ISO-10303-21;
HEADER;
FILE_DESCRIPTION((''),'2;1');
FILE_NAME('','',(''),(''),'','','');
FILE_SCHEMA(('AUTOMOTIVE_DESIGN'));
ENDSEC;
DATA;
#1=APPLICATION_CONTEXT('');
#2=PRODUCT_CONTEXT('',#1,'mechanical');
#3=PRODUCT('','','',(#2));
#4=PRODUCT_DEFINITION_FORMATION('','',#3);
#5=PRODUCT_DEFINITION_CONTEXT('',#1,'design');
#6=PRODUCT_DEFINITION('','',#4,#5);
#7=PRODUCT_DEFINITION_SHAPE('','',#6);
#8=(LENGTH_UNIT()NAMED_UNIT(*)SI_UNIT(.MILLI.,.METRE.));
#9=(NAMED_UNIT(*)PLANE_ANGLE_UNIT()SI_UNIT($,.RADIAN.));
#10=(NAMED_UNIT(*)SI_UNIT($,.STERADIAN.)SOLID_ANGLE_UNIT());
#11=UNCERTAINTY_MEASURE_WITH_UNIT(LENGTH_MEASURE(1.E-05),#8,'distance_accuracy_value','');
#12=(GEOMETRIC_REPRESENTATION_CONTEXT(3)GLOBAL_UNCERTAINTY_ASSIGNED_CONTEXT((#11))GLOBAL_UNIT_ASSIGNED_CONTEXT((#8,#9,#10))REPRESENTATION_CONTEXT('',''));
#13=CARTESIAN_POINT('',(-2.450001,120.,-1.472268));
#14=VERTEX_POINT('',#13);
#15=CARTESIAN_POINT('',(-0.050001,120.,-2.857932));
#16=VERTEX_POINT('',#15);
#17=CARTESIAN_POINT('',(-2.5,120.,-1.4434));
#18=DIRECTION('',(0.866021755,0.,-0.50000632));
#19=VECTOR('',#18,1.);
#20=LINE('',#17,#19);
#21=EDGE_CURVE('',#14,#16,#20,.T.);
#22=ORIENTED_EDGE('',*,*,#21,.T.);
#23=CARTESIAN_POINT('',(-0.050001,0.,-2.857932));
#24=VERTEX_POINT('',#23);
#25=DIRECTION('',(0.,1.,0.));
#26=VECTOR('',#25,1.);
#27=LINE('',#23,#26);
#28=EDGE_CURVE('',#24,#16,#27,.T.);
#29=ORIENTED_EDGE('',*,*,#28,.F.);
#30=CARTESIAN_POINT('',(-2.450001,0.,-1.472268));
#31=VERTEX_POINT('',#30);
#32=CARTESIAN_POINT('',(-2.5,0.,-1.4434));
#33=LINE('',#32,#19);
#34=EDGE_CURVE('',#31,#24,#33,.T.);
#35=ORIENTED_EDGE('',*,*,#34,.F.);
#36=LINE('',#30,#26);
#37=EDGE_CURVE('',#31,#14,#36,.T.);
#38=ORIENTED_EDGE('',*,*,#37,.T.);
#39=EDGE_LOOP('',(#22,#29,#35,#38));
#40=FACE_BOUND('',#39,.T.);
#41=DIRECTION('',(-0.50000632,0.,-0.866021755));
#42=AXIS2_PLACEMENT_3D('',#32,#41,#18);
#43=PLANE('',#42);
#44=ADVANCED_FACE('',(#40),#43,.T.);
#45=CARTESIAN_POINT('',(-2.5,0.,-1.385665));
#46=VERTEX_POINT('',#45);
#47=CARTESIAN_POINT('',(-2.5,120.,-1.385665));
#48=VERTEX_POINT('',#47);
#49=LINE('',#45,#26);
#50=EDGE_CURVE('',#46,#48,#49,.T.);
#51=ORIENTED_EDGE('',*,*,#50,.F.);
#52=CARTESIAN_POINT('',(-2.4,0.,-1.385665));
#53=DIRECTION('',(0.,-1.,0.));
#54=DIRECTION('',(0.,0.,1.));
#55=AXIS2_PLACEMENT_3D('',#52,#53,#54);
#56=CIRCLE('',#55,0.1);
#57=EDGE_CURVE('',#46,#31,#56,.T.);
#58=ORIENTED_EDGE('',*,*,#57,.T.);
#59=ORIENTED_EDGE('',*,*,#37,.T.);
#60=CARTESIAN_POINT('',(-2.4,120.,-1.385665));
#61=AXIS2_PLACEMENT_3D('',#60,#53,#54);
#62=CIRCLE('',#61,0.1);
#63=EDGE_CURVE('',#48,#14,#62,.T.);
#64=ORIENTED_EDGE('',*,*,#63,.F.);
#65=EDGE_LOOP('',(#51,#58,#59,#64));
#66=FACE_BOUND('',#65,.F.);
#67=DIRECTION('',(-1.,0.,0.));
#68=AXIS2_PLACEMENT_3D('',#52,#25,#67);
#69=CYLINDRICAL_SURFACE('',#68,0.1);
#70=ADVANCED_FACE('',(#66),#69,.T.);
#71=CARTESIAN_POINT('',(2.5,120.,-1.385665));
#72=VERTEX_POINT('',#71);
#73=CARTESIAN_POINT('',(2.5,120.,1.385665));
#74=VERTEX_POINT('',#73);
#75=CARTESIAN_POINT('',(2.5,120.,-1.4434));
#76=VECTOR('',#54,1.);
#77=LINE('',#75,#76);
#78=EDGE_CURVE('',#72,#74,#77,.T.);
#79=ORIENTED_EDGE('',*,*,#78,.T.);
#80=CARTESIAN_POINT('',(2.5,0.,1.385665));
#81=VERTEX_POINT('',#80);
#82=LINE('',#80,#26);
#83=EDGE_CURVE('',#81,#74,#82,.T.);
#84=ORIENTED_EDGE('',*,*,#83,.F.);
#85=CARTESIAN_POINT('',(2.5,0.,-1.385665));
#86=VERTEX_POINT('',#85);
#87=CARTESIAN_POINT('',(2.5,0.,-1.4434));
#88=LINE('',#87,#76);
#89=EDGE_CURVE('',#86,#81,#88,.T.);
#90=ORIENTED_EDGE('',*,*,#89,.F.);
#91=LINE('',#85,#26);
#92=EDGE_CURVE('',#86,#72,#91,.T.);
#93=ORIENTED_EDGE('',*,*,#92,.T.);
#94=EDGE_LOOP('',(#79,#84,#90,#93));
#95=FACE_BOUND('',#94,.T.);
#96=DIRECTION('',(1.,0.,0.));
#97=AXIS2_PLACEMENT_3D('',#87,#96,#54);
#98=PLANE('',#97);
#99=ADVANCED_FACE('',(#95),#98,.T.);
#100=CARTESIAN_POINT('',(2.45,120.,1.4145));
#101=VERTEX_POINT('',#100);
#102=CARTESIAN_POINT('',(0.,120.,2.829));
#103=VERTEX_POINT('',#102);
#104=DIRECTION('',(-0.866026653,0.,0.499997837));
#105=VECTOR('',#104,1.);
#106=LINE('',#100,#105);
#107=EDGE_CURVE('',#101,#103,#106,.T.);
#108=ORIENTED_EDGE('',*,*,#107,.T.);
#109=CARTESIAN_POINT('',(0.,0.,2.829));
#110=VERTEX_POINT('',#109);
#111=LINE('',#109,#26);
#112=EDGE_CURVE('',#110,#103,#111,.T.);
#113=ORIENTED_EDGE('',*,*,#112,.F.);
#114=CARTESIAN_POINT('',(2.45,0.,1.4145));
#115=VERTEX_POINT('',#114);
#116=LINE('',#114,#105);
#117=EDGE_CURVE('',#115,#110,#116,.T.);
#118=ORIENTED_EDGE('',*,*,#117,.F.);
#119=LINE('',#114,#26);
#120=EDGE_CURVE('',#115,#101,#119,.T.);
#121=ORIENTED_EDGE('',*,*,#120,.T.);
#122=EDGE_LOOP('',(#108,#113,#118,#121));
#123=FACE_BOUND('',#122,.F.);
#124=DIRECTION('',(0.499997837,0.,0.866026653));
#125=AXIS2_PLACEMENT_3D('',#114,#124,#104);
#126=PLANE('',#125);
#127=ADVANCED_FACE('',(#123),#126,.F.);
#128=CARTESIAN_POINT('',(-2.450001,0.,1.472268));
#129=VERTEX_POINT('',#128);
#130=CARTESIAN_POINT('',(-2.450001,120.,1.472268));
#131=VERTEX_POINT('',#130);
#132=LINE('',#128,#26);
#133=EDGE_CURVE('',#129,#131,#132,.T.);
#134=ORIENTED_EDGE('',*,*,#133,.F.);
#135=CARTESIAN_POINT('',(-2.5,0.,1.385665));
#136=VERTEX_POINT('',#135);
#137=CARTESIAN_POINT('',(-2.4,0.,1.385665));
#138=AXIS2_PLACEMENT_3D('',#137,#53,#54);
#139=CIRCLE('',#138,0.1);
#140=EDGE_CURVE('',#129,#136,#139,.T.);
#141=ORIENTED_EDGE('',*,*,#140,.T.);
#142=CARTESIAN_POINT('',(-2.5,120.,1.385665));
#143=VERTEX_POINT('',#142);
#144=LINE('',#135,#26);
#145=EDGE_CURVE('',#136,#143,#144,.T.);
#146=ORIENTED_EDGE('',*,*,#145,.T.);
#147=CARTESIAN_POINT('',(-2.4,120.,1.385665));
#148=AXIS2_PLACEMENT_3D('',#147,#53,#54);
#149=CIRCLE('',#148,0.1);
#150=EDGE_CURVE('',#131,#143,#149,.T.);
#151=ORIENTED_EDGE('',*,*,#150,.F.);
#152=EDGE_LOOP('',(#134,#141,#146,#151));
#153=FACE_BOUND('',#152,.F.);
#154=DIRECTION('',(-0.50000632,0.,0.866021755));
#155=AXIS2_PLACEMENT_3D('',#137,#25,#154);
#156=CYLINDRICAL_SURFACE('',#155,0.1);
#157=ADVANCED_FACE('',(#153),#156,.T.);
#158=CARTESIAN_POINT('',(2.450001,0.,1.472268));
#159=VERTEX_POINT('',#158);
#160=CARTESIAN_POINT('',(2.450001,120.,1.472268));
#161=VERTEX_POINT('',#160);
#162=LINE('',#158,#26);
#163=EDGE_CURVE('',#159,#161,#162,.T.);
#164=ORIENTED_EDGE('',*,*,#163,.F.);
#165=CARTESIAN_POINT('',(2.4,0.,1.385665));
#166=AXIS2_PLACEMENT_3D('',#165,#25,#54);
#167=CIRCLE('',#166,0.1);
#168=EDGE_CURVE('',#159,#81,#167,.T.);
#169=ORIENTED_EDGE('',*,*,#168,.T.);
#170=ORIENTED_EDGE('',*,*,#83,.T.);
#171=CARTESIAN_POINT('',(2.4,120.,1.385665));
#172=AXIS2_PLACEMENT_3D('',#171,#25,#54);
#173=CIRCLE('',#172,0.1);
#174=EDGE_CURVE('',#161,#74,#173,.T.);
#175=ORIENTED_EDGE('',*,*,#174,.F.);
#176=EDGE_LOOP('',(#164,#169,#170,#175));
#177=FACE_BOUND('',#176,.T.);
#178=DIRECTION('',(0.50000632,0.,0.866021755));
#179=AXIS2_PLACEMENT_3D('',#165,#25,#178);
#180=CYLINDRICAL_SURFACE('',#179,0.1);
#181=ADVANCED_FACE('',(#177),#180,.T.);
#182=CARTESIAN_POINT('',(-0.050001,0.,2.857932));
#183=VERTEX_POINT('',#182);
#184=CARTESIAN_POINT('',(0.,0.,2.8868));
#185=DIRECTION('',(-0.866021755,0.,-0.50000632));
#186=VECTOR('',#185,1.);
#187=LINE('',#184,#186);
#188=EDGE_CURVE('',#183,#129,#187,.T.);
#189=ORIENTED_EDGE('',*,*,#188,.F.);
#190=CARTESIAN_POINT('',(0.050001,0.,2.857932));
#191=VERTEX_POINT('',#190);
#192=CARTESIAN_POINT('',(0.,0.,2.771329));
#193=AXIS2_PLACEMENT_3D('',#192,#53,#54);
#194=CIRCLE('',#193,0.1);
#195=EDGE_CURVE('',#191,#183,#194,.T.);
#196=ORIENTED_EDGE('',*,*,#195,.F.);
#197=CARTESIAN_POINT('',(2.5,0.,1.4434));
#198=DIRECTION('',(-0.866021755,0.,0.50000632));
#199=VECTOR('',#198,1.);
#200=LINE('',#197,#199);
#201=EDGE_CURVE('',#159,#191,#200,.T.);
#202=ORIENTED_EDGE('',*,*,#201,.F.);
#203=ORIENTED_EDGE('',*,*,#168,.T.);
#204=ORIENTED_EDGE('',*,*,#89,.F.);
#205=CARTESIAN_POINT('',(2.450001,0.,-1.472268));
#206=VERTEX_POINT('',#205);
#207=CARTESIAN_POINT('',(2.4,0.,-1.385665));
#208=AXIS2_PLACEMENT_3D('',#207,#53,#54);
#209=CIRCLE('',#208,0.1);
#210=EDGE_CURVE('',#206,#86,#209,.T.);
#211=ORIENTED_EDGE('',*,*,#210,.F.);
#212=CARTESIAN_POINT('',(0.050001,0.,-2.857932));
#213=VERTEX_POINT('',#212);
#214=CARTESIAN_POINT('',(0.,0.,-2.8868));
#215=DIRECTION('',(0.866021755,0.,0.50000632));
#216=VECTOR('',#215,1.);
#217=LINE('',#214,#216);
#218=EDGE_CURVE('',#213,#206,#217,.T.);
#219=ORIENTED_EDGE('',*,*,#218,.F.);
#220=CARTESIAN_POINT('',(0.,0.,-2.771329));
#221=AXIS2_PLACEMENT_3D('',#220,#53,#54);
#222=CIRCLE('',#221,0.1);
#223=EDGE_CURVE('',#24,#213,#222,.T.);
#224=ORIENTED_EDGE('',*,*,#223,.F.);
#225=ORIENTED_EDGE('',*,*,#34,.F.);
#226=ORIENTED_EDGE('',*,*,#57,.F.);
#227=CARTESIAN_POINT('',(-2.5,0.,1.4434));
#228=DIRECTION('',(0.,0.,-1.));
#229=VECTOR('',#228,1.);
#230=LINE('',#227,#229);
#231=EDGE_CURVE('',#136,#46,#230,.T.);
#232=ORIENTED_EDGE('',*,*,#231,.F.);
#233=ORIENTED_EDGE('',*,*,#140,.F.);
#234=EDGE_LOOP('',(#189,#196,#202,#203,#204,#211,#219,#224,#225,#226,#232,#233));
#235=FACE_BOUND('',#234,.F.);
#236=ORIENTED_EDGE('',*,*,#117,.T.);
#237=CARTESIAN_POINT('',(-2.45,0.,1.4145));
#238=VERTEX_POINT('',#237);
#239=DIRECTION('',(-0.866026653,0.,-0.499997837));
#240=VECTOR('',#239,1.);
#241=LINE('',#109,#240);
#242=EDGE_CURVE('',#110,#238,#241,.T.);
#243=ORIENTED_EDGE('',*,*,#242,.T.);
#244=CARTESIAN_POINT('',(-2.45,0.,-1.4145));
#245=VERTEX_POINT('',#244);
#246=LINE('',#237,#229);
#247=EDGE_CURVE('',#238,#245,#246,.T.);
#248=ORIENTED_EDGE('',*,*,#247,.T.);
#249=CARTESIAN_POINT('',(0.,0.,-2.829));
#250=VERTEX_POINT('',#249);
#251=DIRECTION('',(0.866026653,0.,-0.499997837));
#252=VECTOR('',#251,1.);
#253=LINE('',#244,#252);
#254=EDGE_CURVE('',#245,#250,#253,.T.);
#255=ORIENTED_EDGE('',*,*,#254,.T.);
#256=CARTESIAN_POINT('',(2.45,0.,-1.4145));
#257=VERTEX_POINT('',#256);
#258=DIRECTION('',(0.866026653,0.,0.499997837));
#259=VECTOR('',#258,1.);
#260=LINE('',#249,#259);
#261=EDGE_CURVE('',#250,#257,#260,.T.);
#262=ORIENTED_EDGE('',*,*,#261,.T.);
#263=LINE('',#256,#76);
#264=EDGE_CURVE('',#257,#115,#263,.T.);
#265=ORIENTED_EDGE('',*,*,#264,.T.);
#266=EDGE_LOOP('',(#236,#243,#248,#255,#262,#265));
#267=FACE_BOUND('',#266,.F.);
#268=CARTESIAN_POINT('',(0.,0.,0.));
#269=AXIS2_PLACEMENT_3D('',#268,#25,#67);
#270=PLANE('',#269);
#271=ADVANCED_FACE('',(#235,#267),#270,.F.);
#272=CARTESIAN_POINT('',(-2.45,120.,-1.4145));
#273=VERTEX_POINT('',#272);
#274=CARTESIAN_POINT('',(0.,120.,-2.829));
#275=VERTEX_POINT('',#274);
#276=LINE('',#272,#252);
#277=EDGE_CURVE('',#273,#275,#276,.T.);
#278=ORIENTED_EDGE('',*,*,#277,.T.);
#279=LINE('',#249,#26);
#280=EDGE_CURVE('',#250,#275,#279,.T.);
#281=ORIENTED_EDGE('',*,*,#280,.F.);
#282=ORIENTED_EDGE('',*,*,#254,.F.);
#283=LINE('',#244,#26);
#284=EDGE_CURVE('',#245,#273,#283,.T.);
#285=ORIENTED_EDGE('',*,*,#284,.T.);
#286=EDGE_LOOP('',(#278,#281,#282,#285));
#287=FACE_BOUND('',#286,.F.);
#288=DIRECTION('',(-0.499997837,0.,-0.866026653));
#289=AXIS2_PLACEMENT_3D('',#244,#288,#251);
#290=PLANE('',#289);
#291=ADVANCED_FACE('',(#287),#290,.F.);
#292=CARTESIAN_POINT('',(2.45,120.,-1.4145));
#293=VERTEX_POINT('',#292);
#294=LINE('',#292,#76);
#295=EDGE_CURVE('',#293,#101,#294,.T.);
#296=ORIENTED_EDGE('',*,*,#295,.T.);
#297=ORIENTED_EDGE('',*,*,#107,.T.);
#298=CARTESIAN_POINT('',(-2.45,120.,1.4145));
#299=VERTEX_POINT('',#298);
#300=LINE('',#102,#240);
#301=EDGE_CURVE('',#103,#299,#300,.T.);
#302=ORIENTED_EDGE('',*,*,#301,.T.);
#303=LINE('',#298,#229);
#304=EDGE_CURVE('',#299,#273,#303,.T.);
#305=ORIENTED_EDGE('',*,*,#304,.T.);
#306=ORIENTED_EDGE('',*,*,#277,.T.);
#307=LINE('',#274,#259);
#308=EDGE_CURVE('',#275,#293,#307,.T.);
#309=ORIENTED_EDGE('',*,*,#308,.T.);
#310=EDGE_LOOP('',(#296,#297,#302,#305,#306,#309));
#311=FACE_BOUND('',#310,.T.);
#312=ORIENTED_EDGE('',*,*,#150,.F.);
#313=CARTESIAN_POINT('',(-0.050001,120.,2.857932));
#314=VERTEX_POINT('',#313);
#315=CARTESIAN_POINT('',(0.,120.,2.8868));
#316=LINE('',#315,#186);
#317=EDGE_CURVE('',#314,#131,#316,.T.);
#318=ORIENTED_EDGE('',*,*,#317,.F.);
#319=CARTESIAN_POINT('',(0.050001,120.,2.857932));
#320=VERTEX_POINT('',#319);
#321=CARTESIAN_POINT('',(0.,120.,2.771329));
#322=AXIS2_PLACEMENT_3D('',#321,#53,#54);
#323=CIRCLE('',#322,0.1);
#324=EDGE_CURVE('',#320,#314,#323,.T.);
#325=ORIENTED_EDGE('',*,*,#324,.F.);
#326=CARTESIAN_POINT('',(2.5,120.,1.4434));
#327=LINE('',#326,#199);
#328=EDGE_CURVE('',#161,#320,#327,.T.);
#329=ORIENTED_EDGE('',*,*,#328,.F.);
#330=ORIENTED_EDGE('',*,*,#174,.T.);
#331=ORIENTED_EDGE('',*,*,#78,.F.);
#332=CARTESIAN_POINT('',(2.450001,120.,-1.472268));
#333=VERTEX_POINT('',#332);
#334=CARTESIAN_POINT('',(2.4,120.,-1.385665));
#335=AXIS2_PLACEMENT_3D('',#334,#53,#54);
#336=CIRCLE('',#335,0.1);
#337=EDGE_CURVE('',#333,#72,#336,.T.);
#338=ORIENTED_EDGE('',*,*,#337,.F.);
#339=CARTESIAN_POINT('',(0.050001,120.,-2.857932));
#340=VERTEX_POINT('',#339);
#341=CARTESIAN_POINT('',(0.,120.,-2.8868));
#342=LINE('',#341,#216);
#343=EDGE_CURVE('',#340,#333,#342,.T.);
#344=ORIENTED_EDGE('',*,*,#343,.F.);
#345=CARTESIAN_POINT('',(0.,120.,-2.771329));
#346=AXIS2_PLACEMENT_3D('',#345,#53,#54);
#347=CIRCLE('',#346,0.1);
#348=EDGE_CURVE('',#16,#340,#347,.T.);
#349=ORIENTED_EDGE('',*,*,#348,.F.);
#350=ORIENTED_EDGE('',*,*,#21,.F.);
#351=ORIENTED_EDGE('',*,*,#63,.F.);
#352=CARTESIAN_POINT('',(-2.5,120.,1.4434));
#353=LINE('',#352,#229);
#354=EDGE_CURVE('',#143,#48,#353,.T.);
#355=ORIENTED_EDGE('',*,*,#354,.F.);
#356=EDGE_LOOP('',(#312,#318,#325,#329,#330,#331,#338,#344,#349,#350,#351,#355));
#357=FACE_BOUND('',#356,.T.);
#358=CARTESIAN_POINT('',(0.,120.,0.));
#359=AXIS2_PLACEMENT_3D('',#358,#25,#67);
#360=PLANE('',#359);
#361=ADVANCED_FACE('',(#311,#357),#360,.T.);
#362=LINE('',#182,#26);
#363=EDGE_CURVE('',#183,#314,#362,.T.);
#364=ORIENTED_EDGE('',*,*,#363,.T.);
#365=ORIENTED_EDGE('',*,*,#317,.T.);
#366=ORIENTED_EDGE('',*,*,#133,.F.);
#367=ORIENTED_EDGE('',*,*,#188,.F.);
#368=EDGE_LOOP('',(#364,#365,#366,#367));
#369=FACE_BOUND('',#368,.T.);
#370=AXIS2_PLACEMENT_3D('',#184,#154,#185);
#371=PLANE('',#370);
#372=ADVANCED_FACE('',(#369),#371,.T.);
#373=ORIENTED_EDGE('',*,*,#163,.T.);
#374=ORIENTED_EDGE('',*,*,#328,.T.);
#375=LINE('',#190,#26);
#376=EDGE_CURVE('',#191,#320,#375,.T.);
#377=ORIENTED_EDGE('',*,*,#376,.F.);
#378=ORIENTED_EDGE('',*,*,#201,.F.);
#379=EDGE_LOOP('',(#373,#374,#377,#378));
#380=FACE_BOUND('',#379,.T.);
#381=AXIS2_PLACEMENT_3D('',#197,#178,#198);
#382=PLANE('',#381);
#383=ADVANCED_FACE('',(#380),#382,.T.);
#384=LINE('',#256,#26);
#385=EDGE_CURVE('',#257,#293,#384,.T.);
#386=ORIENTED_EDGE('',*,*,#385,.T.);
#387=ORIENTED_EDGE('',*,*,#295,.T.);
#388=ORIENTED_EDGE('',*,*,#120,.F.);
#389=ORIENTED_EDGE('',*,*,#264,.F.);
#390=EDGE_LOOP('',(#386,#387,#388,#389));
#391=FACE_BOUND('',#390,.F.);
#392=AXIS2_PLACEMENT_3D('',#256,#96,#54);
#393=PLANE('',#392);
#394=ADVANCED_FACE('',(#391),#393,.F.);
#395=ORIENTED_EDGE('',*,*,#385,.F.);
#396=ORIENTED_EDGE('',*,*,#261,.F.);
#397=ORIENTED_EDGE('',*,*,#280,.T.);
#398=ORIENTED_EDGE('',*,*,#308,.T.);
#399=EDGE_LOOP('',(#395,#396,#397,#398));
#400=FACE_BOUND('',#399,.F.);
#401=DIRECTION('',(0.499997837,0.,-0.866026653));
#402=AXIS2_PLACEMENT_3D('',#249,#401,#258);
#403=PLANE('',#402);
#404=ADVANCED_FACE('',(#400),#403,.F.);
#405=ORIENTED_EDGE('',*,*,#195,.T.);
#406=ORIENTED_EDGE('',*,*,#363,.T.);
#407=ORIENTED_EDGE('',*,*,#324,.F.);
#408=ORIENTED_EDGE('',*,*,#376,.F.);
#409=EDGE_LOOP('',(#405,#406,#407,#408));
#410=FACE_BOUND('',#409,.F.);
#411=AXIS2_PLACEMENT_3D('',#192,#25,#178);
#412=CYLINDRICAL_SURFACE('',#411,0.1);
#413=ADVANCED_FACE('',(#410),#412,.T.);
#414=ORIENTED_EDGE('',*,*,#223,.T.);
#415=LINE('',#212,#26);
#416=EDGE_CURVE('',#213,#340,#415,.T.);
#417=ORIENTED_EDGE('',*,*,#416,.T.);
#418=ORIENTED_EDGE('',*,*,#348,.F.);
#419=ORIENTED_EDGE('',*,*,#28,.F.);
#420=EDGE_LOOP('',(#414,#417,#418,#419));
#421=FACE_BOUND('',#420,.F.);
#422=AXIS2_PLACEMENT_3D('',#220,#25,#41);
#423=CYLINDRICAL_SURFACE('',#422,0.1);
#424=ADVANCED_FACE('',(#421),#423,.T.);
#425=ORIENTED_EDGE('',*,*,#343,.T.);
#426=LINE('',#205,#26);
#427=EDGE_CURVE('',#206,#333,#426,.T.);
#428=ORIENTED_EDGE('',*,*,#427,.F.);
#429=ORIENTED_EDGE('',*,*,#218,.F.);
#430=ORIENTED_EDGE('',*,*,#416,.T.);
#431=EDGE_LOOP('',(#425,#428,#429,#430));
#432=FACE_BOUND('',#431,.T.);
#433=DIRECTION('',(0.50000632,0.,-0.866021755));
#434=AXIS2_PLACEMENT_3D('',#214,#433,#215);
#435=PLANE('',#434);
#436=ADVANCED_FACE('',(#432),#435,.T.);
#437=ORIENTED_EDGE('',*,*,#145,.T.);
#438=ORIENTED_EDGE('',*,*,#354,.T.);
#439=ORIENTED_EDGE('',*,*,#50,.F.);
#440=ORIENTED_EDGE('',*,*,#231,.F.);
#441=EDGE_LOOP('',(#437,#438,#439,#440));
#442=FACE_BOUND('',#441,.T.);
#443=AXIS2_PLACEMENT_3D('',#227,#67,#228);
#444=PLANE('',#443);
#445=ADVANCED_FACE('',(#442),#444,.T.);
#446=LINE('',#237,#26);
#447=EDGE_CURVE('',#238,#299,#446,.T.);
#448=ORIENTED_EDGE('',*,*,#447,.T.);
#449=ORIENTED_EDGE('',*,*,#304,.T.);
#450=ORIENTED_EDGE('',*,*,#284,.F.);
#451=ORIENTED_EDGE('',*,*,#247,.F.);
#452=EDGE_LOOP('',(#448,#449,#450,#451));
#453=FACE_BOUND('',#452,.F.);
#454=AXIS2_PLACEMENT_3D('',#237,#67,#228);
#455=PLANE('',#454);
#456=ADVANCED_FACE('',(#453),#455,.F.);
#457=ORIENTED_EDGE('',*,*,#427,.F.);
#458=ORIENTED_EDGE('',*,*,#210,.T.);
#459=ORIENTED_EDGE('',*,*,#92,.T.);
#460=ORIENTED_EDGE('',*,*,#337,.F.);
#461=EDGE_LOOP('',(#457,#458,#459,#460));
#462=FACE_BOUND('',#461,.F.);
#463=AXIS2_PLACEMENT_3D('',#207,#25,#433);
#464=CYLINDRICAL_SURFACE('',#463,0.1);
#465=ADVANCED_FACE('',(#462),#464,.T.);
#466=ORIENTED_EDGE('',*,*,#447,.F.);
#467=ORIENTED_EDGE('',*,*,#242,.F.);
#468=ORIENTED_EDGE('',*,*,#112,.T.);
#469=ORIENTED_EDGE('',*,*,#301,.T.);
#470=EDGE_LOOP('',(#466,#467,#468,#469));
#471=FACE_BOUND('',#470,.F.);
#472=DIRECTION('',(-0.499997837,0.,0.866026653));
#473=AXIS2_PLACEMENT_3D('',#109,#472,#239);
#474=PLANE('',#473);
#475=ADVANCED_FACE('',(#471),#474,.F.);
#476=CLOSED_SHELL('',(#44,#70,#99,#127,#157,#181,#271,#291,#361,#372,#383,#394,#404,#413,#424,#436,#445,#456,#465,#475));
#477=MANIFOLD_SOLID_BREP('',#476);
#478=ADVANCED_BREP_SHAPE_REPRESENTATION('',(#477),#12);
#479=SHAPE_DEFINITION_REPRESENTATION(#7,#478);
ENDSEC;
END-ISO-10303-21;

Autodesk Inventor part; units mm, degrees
ref_plane "YZ Plane" through (0, 0, 0) normal (1, 0, 0) x (0, 1, 0)
ref_plane "XZ Plane" through (0, 0, 0) normal (0, 1, 0) x (-1, 0, 0)
ref_plane "XY Plane" through (0, 0, 0) normal (0, 0, 1) x (1, 0, 0)
sketch "Sketch1" plane through (0, 0, 0) normal (0, 1, 0) x (-1, 0, 0)
  line L0 (-2.5, 1.4434) -> (0, 2.8868)
  line L1 (0, 2.8868) -> (2.5, 1.4434)
  line L2 (2.5, 1.4434) -> (2.5, -1.4434)
  line L3 (2.5, -1.4434) -> (0, -2.8868)
  line L4 (0, -2.8868) -> (-2.5, -1.4434)
  line L5 (-2.5, -1.4434) -> (-2.5, 1.4434)
  line L6 (-2.45, 1.4145) -> (0, 2.829)
  line L7 (0, 2.829) -> (2.45, 1.4145)
  line L8 (2.45, 1.4145) -> (2.45, -1.4145)
  line L9 (2.45, -1.4145) -> (0, -2.829)
  line L10 (0, -2.829) -> (-2.45, -1.4145)
  line L11 (-2.45, -1.4145) -> (-2.45, 1.4145)
  point P0 (0, 0)
  point P1 (0, 0)
  point P2 (0, 0)
  dimension "d0" = 5
  dimension "d1" = 4.9
extrude "Extrusion1" add sketch "Sketch1" along normal blind 120
fillet "Fillet1" radius 0.1 6 edges at (0, 60, 2.8868) (2.5, 60, -1.4434) (0, 60, -2.8868) (-2.5, 60, -1.4434) (-2.5, 60, 1.4434) (2.5, 60, 1.4434)
properties part number "Pencil Outside"
